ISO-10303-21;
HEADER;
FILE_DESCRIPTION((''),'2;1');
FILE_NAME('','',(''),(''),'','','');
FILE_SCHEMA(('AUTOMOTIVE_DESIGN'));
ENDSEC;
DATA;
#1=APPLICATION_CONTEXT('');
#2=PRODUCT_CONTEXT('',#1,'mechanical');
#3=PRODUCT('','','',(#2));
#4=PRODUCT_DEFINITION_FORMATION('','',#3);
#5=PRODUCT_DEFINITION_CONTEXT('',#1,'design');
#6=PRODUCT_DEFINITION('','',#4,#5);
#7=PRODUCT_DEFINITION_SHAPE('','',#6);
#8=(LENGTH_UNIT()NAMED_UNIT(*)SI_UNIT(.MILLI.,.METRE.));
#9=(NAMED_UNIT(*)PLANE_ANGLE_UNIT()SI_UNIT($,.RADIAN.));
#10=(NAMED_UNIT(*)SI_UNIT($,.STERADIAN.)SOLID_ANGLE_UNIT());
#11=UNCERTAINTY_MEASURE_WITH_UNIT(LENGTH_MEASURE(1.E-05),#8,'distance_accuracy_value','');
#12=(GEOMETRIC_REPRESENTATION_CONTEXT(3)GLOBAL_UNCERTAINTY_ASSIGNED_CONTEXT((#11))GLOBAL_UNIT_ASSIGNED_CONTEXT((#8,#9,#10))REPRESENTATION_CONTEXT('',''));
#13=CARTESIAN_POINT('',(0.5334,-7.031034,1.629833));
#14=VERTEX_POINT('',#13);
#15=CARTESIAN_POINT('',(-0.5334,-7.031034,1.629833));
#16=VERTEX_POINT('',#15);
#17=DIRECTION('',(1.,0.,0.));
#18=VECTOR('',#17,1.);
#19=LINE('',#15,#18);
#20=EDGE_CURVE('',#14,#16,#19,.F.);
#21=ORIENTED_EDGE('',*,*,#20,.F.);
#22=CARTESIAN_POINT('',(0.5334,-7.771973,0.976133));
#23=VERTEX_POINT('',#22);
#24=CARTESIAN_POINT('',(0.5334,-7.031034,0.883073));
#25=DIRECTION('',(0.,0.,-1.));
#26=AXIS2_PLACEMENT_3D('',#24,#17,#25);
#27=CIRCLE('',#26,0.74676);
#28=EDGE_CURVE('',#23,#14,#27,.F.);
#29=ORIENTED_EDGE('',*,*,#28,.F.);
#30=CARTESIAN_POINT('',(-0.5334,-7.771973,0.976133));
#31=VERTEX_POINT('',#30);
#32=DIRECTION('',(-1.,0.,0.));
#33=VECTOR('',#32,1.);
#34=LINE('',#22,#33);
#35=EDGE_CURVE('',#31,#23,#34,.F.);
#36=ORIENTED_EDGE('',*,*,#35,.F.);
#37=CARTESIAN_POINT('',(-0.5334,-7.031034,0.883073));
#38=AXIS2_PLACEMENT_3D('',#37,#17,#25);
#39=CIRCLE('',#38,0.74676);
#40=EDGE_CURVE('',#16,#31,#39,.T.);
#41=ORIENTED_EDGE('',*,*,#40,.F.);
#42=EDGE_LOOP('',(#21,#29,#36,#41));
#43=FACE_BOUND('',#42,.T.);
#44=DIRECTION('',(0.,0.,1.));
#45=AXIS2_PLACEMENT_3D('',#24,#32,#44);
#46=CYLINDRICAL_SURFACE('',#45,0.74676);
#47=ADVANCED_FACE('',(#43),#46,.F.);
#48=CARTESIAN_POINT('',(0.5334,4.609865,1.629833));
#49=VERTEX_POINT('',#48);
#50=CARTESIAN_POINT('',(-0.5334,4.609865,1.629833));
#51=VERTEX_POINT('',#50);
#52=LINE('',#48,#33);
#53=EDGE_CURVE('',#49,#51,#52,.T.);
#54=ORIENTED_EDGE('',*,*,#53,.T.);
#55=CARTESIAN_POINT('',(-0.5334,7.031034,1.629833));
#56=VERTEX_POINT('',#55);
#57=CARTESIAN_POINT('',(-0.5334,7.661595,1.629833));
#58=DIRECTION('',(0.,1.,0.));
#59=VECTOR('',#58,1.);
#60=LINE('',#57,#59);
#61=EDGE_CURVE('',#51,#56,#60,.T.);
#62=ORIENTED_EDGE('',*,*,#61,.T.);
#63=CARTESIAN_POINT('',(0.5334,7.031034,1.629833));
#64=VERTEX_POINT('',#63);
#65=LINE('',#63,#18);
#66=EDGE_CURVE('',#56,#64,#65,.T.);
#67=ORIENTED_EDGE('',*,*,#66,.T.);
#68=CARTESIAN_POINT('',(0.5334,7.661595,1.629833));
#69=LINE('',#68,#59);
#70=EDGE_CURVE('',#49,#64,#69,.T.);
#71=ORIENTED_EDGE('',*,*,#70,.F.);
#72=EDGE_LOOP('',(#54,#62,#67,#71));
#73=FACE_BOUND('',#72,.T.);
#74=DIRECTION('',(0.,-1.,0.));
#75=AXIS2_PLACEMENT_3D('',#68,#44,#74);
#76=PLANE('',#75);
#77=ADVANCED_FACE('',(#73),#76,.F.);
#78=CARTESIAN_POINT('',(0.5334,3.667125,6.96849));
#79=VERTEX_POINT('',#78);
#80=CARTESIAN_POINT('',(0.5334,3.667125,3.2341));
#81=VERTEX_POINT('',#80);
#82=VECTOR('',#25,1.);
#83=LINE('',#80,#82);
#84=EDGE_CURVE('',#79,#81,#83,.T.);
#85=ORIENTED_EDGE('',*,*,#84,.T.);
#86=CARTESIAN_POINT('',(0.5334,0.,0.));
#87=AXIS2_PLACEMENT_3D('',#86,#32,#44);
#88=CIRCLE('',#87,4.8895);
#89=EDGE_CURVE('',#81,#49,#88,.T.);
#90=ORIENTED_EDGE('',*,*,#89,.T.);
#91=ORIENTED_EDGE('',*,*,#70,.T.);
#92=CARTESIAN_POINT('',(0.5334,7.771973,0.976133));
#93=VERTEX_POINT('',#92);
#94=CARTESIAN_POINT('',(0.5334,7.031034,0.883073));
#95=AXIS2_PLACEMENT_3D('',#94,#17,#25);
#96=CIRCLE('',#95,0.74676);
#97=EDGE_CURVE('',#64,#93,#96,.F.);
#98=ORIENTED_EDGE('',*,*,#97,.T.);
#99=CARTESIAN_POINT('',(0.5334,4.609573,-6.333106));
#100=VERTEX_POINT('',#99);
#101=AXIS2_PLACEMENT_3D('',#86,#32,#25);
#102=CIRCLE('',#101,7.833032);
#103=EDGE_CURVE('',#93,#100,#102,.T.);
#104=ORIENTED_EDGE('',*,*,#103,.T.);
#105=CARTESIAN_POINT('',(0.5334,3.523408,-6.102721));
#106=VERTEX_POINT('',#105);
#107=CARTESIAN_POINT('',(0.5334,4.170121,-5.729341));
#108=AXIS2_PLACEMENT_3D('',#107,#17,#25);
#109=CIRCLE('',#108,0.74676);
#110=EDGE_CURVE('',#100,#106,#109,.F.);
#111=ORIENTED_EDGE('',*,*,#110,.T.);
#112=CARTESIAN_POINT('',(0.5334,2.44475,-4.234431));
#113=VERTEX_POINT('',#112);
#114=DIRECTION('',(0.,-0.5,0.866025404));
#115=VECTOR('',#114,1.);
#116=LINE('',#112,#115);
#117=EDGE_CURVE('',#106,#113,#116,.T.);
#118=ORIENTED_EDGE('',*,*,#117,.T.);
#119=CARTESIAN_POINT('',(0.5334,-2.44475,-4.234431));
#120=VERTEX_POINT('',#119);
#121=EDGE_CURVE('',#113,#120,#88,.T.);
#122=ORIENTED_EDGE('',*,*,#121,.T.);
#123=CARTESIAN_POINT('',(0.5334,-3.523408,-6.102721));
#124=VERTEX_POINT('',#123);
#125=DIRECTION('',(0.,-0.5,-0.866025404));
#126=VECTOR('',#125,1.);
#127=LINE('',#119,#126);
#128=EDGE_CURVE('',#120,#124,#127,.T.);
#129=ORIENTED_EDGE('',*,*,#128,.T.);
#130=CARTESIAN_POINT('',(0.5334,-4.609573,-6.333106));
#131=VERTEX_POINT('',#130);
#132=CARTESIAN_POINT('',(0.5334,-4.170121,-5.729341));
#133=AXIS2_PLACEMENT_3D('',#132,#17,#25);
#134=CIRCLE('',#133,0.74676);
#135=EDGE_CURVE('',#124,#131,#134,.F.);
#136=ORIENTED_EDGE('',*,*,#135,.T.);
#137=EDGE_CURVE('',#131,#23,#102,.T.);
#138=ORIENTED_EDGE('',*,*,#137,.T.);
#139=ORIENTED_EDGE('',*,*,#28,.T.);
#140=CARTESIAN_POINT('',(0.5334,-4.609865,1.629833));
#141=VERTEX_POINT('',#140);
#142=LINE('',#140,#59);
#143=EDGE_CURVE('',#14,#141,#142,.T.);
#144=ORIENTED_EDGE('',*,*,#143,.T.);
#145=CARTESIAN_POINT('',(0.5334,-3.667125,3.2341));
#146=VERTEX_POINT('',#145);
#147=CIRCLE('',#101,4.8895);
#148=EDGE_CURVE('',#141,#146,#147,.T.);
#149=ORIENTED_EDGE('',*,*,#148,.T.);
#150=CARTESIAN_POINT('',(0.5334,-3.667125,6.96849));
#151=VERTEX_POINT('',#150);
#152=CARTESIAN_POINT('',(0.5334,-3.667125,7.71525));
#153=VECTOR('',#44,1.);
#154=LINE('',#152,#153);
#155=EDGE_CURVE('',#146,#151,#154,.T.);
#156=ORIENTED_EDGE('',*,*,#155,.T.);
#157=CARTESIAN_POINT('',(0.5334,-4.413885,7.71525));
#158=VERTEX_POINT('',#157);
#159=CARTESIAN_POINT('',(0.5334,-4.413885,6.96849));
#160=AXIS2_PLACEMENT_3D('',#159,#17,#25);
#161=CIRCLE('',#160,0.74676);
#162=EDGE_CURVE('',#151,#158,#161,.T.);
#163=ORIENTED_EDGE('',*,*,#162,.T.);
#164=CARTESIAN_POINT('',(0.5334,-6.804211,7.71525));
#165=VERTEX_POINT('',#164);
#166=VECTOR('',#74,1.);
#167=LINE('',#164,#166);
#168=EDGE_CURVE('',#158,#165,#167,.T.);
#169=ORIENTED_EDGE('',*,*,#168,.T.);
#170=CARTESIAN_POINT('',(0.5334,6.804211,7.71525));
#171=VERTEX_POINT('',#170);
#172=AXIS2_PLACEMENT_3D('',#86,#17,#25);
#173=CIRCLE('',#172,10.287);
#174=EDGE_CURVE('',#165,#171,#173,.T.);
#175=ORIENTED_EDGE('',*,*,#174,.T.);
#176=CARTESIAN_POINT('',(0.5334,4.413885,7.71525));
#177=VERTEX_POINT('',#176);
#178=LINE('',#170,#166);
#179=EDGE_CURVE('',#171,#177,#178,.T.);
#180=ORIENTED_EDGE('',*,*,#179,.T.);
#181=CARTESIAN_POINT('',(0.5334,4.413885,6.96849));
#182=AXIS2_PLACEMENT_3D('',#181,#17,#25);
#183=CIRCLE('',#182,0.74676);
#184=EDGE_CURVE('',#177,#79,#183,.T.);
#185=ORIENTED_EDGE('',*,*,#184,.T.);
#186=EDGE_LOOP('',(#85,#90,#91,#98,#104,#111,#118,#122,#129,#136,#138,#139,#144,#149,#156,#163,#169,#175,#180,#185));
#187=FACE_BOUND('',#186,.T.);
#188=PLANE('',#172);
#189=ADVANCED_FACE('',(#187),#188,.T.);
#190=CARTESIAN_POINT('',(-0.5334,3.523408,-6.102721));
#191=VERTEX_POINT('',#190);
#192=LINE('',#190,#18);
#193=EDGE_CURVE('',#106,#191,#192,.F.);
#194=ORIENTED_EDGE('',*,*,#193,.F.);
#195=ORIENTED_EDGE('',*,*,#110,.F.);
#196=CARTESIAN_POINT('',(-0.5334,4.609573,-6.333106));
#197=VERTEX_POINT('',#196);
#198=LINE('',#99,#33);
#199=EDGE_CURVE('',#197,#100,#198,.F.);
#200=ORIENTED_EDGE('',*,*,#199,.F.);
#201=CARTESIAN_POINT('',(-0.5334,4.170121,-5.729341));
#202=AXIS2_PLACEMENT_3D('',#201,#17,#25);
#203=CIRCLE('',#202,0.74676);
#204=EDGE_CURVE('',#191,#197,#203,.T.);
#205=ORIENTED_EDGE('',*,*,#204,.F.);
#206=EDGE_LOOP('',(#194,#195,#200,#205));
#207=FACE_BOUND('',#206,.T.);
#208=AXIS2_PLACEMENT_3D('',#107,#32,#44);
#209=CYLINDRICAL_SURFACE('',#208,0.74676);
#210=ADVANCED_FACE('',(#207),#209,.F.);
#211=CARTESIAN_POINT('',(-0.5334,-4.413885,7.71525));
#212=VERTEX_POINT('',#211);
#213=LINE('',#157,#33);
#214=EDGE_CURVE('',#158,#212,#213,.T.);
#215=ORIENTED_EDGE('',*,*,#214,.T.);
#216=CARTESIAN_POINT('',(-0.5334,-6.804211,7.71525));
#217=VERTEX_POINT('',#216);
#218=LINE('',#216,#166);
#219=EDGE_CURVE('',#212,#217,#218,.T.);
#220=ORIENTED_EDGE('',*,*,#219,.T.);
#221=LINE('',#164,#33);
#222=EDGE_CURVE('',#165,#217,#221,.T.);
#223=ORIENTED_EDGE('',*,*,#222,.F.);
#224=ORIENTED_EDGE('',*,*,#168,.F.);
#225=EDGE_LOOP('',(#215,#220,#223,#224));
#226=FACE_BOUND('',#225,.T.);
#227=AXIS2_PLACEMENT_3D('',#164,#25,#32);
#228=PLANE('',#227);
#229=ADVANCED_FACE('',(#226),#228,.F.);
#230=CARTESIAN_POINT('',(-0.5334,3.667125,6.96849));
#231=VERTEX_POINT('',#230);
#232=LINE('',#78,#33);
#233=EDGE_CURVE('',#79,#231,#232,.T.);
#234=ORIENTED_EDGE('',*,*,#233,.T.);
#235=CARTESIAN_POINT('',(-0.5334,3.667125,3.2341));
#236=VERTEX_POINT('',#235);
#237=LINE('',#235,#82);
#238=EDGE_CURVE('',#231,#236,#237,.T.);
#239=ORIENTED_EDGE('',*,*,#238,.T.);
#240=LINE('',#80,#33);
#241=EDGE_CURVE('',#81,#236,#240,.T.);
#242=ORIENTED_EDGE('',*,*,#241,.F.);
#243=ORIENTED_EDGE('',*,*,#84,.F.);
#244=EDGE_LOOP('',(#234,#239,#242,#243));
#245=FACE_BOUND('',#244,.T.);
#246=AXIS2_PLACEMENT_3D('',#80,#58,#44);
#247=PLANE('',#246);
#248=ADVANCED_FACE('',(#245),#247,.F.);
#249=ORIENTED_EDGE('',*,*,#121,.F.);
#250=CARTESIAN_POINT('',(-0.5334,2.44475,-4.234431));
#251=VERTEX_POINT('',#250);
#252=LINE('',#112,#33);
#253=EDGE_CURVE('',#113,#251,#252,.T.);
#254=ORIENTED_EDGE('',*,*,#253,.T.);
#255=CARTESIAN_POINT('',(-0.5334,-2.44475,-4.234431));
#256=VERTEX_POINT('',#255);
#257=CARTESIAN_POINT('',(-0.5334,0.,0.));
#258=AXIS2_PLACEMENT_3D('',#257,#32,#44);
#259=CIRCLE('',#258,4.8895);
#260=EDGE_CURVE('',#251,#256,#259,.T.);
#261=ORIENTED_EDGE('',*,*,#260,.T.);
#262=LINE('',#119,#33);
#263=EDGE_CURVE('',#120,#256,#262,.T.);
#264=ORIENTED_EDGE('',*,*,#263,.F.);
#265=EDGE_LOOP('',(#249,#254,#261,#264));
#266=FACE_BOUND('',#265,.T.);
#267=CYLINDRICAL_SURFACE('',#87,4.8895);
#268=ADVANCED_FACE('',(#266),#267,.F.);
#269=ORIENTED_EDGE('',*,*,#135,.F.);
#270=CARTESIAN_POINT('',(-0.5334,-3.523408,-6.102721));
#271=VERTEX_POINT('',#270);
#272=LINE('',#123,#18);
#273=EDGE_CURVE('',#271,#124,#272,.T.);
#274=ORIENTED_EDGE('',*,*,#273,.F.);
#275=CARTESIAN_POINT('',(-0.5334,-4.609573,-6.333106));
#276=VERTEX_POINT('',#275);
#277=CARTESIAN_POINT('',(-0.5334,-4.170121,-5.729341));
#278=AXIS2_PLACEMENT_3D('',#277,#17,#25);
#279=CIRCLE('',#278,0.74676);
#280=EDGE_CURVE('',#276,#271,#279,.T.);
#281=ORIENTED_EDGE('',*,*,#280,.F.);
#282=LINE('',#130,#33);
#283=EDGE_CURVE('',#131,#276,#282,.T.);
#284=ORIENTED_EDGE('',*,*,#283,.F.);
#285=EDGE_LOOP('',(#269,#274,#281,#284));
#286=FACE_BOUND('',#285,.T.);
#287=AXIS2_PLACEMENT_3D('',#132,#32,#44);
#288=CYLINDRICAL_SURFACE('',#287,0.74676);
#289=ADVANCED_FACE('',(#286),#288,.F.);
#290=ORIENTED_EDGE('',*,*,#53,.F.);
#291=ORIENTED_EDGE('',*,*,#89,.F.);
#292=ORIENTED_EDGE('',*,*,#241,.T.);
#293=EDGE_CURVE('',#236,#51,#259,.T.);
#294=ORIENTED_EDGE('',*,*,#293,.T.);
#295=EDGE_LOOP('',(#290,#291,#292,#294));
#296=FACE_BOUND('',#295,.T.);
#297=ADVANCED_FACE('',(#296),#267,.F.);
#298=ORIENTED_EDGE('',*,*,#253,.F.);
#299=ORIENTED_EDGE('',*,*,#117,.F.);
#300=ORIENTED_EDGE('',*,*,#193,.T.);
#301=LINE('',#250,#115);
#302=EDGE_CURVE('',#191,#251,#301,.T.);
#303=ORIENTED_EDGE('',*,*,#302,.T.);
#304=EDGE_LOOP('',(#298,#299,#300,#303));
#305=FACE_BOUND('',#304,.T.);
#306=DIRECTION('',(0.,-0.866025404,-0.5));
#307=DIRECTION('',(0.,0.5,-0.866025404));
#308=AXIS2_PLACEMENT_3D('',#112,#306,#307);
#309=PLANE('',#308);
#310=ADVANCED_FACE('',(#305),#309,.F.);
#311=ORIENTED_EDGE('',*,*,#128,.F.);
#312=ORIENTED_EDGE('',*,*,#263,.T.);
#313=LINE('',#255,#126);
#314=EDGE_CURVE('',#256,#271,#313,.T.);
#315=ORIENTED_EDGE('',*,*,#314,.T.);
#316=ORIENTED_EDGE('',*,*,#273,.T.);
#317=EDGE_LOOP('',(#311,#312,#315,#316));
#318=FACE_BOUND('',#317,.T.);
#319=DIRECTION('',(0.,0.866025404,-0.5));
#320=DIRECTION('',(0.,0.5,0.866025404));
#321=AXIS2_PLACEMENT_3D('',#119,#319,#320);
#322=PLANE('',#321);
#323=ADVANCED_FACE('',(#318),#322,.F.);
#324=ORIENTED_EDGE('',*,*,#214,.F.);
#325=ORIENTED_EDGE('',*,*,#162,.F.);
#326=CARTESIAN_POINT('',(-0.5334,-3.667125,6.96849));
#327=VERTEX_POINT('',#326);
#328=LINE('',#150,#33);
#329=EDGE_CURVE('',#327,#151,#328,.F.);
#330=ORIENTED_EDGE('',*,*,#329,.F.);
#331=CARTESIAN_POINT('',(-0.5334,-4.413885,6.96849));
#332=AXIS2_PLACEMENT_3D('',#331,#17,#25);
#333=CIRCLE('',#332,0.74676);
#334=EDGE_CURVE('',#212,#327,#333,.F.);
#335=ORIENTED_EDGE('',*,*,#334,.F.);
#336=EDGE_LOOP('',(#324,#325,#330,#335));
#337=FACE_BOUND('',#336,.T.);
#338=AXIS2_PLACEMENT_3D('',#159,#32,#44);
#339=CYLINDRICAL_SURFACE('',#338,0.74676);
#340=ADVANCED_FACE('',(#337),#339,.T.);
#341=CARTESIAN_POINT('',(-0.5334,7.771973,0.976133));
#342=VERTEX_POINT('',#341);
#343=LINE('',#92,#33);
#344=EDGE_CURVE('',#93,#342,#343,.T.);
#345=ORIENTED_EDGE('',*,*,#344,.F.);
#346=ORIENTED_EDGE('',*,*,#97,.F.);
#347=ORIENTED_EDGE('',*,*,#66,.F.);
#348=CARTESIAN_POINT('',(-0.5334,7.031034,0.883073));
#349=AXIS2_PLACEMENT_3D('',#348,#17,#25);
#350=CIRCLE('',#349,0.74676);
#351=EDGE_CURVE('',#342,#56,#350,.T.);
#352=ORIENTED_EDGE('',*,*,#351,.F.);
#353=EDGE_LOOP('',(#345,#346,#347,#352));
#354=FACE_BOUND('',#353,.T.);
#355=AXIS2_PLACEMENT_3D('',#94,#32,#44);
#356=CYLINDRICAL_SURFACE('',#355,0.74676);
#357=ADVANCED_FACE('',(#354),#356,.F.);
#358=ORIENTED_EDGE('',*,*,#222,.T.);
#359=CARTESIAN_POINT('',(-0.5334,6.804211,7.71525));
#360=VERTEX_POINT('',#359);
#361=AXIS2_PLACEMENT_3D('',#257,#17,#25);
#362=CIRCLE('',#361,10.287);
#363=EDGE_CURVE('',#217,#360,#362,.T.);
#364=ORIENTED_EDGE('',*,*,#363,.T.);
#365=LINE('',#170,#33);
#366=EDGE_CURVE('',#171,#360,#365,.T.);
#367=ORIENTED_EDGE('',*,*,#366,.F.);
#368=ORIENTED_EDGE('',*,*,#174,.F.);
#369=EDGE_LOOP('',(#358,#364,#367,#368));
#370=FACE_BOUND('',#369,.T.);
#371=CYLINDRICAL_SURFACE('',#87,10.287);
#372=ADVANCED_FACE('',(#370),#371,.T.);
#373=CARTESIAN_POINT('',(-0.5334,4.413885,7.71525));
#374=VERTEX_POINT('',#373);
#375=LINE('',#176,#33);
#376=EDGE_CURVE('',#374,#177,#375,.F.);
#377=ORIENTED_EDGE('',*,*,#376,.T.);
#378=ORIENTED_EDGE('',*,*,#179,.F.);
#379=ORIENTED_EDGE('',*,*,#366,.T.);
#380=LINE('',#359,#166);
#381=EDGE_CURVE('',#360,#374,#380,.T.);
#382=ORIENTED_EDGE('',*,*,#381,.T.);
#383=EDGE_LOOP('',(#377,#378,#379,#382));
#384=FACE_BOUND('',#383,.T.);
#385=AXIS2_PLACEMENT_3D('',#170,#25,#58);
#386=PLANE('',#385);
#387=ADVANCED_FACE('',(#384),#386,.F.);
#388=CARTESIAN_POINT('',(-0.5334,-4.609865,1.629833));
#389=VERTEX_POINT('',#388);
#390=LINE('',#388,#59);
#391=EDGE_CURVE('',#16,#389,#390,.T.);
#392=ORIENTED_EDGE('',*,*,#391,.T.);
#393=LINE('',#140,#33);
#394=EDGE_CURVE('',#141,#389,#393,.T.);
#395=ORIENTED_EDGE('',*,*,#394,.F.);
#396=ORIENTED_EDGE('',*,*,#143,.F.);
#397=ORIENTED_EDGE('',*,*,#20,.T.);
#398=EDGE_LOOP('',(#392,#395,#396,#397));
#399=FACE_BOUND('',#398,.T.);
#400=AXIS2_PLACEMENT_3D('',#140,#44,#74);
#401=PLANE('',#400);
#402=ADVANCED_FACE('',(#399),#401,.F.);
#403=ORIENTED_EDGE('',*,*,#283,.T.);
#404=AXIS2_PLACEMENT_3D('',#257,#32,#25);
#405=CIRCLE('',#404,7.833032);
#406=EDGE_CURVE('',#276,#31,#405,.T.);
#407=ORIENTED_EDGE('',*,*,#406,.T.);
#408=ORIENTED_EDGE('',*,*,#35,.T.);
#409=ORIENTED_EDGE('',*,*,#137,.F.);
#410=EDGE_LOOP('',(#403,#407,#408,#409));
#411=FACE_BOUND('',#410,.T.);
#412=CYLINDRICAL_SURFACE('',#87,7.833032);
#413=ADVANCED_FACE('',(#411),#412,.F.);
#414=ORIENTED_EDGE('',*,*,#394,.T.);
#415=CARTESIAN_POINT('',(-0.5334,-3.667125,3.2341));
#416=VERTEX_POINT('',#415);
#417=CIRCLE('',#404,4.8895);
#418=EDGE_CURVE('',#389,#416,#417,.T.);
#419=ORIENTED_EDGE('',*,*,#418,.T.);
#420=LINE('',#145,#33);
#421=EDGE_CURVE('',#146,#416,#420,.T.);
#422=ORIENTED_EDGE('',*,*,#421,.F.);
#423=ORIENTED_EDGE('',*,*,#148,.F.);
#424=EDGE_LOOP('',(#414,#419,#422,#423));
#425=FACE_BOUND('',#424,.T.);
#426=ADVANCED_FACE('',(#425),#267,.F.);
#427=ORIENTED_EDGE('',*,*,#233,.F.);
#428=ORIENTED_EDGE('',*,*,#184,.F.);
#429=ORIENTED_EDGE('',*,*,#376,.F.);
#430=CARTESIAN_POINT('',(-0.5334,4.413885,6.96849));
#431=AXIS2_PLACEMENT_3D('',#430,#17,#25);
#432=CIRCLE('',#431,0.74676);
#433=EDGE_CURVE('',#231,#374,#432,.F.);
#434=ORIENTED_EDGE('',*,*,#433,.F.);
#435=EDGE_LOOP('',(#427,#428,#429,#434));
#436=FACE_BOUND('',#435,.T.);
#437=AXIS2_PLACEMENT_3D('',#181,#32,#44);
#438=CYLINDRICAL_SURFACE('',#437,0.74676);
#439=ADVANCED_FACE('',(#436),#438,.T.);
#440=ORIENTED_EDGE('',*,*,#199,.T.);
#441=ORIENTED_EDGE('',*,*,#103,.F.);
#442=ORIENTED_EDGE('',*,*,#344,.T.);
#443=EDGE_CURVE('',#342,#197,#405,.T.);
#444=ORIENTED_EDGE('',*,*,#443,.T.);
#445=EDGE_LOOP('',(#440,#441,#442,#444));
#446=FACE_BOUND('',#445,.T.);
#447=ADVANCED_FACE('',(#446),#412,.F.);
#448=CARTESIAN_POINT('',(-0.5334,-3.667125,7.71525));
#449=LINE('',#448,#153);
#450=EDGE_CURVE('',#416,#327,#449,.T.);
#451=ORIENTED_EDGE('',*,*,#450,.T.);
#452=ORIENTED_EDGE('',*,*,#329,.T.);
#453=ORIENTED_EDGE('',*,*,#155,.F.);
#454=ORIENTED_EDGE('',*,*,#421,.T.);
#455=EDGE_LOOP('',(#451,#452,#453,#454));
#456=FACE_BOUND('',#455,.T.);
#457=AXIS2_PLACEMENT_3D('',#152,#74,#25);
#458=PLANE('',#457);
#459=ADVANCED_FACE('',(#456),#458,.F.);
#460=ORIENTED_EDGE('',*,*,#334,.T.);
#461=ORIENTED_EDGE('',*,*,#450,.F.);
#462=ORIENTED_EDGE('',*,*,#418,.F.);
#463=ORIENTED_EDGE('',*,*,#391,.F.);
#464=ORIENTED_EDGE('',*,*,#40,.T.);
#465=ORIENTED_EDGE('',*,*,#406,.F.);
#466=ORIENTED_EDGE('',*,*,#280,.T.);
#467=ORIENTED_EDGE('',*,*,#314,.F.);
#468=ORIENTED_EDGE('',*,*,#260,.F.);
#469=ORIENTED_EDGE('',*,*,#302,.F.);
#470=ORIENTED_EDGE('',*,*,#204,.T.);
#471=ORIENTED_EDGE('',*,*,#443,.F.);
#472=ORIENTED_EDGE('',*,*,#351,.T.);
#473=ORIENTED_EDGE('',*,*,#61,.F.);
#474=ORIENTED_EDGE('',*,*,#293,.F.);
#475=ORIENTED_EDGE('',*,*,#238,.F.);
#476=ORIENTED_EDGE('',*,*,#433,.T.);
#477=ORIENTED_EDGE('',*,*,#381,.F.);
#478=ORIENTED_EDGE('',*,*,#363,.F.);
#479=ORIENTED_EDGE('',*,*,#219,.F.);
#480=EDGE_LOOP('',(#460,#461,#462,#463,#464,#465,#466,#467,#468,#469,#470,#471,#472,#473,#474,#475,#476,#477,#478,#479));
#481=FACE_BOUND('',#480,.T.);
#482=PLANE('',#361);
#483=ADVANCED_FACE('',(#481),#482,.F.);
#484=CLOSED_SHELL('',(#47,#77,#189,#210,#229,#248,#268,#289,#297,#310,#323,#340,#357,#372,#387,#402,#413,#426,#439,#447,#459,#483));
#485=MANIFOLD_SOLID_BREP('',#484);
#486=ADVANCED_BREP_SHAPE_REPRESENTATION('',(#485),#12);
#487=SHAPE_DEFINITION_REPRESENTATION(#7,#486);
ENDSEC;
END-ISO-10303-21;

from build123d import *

# Parameters (mm, degrees)
EXTRUDE1_DEPTH = 0.5334
FILLET1_R      = 0.74676


with BuildPart() as part:
    # Sketch1 → Extrude1 (new body, symmetric)
    with BuildSketch(Plane(origin=(0, 0, 0), x_dir=(0, 0, -1), z_dir=(1, 0, 0))):
        with BuildLine():
            Line((-3.234100259, 3.667125), (-7.71525, 3.667125))
            Line((-7.71525, 3.667125), (-7.71525, 6.804210934))
            ThreePointArc((-7.71525, 6.804210934), (10.287, 0), (-7.71525, -6.804210934))
            Line((-7.71525, -6.804210934), (-7.71525, -3.667125))
            Line((-7.71525, -3.667125), (-3.234100259, -3.667125))
            ThreePointArc((-3.234100259, -3.667125), (-2.477226692, -4.215513986), (-1.629833333, -4.609864809))
            Line((-1.629833333, -4.609864809), (-1.629833333, -7.661594982))
            ThreePointArc((-1.629833333, -7.661594982), (3.185395471, -7.156091814), (6.783604924, -3.916516129))
            Line((6.783604924, -3.916516129), (4.234431212, -2.44475))
            ThreePointArc((4.234431212, -2.44475), (4.8895, 0), (4.234431212, 2.44475))
            Line((4.234431212, 2.44475), (6.783604924, 3.916516129))
            ThreePointArc((6.783604924, 3.916516129), (3.185395471, 7.156091814), (-1.629833333, 7.661594982))
            Line((-1.629833333, 7.661594982), (-1.629833333, 4.609864809))
            ThreePointArc((-1.629833333, 4.609864809), (-2.477226692, 4.215513986), (-3.234100259, 3.667125))
        make_face()
    extrude(amount=EXTRUDE1_DEPTH, both=True)

    # Fillet1
    fillet1_edges = [part.edges().sort_by_distance(p)[0] for p in [
        (0, -3.667125, 7.71525),
        (0, -7.661594982, 1.629833333),
        (0, -3.916516129, -6.783604924),
        (0, 3.916516129, -6.783604924),
        (0, 7.661594982, 1.629833333),
        (0, 3.667125, 7.71525),
    ]]
    fillet(fillet1_edges, radius=FILLET1_R)


solid = part.part
